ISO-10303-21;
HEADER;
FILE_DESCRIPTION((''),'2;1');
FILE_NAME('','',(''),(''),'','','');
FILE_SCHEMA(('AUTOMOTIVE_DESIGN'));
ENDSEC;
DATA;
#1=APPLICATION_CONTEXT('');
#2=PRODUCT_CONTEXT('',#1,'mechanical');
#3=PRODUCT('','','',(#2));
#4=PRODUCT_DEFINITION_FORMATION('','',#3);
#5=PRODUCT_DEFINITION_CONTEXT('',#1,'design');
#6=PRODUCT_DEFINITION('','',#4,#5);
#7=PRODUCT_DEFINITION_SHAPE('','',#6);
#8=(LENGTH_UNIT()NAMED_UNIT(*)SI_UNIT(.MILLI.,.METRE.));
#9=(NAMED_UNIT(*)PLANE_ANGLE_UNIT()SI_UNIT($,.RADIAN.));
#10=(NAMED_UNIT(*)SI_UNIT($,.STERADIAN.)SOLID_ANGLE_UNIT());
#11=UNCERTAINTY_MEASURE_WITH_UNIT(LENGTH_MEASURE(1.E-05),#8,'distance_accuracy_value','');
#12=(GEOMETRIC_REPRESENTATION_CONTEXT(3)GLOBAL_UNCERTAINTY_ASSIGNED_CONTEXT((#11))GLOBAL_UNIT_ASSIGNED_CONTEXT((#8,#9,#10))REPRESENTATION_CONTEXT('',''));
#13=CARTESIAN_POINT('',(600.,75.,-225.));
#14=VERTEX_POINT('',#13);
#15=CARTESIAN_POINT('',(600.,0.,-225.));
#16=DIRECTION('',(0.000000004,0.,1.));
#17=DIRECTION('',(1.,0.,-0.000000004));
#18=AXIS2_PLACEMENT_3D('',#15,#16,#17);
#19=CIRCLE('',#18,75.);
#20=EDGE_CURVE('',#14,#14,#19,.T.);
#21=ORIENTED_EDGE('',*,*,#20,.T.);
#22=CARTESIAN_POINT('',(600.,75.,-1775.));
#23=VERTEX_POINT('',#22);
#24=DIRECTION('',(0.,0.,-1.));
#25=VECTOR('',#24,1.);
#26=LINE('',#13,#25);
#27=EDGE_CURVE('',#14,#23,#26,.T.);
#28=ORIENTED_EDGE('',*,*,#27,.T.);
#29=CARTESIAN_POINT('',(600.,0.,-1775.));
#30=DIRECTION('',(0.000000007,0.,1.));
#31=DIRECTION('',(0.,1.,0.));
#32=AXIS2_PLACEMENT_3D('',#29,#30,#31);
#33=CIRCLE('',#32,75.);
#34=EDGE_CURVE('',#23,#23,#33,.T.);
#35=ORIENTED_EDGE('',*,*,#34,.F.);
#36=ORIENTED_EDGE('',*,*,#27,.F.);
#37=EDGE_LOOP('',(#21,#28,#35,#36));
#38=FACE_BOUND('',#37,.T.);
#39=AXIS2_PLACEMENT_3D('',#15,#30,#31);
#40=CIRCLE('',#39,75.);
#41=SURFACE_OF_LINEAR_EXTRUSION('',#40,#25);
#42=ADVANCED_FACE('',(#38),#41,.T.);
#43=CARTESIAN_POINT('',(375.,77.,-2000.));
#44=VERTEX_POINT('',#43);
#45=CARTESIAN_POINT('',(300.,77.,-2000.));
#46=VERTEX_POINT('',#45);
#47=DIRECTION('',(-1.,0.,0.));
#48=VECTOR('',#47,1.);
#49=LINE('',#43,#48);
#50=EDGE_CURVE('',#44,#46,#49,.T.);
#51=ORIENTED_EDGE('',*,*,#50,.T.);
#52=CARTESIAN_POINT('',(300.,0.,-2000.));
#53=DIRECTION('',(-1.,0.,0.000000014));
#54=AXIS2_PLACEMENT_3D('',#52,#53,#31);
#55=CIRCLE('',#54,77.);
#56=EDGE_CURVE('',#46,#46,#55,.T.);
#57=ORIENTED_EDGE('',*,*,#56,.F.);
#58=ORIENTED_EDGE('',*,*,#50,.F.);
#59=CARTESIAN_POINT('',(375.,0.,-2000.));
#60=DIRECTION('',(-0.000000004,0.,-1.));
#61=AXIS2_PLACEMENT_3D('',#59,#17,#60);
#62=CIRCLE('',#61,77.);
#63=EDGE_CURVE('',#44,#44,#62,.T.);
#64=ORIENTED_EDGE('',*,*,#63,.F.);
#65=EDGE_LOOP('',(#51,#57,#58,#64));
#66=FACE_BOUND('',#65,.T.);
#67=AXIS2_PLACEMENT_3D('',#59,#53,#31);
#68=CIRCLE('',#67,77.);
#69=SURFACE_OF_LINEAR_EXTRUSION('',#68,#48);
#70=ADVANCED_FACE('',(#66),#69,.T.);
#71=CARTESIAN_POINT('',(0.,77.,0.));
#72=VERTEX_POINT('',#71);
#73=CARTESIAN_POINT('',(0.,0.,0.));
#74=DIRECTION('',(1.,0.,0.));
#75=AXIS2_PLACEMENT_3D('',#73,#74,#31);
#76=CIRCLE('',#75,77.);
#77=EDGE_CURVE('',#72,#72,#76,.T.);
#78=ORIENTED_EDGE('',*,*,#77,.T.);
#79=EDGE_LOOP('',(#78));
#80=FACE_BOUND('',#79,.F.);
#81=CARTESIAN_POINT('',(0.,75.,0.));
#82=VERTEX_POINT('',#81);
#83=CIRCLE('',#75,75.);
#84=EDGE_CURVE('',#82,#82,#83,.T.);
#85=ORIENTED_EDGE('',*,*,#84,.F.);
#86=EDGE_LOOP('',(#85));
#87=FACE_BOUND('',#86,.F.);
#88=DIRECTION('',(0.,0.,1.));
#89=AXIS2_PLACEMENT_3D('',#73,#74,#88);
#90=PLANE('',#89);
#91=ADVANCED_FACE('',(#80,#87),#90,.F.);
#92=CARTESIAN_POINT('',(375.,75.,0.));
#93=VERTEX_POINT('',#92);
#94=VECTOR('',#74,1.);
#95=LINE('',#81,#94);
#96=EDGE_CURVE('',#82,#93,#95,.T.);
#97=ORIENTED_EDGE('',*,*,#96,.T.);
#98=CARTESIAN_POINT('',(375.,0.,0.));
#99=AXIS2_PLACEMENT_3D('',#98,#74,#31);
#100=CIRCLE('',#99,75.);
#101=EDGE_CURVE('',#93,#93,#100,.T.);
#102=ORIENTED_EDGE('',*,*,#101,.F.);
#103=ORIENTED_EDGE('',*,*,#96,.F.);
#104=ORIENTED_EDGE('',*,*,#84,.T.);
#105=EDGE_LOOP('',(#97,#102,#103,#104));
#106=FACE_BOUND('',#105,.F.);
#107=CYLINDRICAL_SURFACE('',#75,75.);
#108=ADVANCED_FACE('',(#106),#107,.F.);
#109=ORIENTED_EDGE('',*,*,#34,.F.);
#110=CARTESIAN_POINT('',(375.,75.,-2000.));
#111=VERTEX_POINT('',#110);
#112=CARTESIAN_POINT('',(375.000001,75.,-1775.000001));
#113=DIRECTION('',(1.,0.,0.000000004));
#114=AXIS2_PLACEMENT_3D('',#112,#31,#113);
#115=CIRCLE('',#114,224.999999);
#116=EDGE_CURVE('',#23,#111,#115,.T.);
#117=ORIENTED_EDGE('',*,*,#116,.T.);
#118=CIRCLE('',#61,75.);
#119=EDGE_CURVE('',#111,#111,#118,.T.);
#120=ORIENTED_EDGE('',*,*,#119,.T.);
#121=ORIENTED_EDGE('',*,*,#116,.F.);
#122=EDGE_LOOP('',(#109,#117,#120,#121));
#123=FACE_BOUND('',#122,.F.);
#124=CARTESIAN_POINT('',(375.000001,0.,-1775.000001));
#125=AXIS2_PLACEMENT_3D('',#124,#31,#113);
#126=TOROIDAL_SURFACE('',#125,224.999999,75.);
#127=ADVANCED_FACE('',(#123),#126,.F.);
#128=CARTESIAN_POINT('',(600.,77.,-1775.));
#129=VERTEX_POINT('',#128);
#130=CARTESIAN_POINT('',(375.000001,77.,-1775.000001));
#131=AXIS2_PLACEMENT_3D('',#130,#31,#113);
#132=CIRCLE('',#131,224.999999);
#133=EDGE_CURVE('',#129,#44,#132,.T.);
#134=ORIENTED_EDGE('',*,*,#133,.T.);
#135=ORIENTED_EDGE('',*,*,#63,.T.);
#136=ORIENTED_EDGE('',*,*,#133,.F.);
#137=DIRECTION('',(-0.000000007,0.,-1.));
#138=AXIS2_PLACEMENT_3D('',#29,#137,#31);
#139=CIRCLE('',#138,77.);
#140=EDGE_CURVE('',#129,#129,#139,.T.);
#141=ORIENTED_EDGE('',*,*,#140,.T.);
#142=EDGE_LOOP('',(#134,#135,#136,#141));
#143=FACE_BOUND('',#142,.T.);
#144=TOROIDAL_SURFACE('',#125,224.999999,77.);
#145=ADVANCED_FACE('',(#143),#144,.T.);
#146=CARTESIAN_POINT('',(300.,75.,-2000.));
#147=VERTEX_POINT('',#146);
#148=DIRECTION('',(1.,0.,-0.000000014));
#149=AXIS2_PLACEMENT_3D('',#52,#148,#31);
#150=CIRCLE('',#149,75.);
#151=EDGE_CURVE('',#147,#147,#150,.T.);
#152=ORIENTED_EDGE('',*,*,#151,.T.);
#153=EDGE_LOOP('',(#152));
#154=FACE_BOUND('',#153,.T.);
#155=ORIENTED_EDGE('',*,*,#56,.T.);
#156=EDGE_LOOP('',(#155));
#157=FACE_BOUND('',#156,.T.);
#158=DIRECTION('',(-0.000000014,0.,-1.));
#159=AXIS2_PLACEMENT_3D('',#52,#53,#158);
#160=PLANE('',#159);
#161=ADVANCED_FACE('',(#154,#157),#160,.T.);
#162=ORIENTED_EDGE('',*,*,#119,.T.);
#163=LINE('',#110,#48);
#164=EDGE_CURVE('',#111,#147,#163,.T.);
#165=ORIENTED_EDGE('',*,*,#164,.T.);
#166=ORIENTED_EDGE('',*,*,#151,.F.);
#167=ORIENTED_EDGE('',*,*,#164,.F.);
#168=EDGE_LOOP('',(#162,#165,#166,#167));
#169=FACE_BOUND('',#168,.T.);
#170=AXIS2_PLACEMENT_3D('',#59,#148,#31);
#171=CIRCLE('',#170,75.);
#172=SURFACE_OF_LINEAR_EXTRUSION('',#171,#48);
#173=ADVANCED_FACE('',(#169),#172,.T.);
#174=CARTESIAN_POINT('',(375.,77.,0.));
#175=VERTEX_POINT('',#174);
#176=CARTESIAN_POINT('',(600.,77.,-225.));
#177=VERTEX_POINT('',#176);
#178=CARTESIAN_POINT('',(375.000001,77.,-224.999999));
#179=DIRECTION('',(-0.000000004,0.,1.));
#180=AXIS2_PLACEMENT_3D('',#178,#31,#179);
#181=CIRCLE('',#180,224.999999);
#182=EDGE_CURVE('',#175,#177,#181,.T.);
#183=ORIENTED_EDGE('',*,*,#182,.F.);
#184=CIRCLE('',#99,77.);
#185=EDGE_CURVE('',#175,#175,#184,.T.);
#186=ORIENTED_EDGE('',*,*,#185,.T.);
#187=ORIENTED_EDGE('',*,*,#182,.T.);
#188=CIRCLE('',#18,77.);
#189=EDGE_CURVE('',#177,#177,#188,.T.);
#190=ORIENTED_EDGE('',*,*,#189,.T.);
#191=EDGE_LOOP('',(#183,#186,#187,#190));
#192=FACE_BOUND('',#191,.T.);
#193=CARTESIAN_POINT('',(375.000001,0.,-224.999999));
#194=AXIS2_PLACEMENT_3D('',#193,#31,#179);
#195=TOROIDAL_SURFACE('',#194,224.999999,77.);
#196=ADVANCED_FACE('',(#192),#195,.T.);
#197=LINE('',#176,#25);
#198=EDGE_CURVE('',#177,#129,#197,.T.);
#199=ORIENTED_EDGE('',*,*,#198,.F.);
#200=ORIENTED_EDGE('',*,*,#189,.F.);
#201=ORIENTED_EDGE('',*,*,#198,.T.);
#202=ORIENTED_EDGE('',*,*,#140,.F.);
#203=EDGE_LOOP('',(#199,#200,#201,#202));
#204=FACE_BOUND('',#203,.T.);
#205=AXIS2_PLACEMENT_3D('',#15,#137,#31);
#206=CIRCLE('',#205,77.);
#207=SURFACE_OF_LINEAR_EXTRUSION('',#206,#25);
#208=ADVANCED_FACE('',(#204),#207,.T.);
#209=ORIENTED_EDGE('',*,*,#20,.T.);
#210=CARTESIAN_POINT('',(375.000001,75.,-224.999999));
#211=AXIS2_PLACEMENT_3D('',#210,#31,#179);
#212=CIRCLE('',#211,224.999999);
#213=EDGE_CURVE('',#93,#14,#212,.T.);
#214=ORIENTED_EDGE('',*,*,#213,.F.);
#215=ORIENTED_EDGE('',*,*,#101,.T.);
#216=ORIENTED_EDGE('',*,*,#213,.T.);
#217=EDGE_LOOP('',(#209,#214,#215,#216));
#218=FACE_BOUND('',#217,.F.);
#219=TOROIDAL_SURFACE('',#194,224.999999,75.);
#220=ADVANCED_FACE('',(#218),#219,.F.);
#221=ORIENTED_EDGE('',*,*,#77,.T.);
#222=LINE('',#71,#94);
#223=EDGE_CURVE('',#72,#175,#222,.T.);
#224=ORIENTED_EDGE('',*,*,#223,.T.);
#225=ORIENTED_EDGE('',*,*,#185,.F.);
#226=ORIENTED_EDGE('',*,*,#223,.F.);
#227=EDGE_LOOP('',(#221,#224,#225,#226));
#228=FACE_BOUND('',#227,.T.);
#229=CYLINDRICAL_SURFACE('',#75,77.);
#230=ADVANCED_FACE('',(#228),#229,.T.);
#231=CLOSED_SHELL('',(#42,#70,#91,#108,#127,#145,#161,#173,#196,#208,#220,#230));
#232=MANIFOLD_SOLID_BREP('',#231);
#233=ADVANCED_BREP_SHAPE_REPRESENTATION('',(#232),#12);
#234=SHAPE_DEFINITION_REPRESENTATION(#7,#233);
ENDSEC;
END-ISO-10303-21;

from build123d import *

# Parameters (mm, degrees)
F0_R   = 77
F0_R_2 = 75


with BuildPart() as f2:
    # F2: sweep along a path in F1
    with BuildLine(Plane.XZ) as f2_path:
        Line((0, 0), (375, 0))
        ThreePointArc((375, 0), (534.099026, -65.900974), (600, -225))
        Line((600, -225), (600, -1775))
        ThreePointArc((600, -1775), (534.099026, -1934.099026), (375, -2000))
        Line((375, -2000), (300, -2000))
    # F0 (on Right) → F2 (sweep)
    with BuildSketch(Plane.YZ):
        Circle(F0_R)
        Circle(F0_R_2, mode=Mode.SUBTRACT)
    sweep(path=f2_path.line)


solid = f2.part
